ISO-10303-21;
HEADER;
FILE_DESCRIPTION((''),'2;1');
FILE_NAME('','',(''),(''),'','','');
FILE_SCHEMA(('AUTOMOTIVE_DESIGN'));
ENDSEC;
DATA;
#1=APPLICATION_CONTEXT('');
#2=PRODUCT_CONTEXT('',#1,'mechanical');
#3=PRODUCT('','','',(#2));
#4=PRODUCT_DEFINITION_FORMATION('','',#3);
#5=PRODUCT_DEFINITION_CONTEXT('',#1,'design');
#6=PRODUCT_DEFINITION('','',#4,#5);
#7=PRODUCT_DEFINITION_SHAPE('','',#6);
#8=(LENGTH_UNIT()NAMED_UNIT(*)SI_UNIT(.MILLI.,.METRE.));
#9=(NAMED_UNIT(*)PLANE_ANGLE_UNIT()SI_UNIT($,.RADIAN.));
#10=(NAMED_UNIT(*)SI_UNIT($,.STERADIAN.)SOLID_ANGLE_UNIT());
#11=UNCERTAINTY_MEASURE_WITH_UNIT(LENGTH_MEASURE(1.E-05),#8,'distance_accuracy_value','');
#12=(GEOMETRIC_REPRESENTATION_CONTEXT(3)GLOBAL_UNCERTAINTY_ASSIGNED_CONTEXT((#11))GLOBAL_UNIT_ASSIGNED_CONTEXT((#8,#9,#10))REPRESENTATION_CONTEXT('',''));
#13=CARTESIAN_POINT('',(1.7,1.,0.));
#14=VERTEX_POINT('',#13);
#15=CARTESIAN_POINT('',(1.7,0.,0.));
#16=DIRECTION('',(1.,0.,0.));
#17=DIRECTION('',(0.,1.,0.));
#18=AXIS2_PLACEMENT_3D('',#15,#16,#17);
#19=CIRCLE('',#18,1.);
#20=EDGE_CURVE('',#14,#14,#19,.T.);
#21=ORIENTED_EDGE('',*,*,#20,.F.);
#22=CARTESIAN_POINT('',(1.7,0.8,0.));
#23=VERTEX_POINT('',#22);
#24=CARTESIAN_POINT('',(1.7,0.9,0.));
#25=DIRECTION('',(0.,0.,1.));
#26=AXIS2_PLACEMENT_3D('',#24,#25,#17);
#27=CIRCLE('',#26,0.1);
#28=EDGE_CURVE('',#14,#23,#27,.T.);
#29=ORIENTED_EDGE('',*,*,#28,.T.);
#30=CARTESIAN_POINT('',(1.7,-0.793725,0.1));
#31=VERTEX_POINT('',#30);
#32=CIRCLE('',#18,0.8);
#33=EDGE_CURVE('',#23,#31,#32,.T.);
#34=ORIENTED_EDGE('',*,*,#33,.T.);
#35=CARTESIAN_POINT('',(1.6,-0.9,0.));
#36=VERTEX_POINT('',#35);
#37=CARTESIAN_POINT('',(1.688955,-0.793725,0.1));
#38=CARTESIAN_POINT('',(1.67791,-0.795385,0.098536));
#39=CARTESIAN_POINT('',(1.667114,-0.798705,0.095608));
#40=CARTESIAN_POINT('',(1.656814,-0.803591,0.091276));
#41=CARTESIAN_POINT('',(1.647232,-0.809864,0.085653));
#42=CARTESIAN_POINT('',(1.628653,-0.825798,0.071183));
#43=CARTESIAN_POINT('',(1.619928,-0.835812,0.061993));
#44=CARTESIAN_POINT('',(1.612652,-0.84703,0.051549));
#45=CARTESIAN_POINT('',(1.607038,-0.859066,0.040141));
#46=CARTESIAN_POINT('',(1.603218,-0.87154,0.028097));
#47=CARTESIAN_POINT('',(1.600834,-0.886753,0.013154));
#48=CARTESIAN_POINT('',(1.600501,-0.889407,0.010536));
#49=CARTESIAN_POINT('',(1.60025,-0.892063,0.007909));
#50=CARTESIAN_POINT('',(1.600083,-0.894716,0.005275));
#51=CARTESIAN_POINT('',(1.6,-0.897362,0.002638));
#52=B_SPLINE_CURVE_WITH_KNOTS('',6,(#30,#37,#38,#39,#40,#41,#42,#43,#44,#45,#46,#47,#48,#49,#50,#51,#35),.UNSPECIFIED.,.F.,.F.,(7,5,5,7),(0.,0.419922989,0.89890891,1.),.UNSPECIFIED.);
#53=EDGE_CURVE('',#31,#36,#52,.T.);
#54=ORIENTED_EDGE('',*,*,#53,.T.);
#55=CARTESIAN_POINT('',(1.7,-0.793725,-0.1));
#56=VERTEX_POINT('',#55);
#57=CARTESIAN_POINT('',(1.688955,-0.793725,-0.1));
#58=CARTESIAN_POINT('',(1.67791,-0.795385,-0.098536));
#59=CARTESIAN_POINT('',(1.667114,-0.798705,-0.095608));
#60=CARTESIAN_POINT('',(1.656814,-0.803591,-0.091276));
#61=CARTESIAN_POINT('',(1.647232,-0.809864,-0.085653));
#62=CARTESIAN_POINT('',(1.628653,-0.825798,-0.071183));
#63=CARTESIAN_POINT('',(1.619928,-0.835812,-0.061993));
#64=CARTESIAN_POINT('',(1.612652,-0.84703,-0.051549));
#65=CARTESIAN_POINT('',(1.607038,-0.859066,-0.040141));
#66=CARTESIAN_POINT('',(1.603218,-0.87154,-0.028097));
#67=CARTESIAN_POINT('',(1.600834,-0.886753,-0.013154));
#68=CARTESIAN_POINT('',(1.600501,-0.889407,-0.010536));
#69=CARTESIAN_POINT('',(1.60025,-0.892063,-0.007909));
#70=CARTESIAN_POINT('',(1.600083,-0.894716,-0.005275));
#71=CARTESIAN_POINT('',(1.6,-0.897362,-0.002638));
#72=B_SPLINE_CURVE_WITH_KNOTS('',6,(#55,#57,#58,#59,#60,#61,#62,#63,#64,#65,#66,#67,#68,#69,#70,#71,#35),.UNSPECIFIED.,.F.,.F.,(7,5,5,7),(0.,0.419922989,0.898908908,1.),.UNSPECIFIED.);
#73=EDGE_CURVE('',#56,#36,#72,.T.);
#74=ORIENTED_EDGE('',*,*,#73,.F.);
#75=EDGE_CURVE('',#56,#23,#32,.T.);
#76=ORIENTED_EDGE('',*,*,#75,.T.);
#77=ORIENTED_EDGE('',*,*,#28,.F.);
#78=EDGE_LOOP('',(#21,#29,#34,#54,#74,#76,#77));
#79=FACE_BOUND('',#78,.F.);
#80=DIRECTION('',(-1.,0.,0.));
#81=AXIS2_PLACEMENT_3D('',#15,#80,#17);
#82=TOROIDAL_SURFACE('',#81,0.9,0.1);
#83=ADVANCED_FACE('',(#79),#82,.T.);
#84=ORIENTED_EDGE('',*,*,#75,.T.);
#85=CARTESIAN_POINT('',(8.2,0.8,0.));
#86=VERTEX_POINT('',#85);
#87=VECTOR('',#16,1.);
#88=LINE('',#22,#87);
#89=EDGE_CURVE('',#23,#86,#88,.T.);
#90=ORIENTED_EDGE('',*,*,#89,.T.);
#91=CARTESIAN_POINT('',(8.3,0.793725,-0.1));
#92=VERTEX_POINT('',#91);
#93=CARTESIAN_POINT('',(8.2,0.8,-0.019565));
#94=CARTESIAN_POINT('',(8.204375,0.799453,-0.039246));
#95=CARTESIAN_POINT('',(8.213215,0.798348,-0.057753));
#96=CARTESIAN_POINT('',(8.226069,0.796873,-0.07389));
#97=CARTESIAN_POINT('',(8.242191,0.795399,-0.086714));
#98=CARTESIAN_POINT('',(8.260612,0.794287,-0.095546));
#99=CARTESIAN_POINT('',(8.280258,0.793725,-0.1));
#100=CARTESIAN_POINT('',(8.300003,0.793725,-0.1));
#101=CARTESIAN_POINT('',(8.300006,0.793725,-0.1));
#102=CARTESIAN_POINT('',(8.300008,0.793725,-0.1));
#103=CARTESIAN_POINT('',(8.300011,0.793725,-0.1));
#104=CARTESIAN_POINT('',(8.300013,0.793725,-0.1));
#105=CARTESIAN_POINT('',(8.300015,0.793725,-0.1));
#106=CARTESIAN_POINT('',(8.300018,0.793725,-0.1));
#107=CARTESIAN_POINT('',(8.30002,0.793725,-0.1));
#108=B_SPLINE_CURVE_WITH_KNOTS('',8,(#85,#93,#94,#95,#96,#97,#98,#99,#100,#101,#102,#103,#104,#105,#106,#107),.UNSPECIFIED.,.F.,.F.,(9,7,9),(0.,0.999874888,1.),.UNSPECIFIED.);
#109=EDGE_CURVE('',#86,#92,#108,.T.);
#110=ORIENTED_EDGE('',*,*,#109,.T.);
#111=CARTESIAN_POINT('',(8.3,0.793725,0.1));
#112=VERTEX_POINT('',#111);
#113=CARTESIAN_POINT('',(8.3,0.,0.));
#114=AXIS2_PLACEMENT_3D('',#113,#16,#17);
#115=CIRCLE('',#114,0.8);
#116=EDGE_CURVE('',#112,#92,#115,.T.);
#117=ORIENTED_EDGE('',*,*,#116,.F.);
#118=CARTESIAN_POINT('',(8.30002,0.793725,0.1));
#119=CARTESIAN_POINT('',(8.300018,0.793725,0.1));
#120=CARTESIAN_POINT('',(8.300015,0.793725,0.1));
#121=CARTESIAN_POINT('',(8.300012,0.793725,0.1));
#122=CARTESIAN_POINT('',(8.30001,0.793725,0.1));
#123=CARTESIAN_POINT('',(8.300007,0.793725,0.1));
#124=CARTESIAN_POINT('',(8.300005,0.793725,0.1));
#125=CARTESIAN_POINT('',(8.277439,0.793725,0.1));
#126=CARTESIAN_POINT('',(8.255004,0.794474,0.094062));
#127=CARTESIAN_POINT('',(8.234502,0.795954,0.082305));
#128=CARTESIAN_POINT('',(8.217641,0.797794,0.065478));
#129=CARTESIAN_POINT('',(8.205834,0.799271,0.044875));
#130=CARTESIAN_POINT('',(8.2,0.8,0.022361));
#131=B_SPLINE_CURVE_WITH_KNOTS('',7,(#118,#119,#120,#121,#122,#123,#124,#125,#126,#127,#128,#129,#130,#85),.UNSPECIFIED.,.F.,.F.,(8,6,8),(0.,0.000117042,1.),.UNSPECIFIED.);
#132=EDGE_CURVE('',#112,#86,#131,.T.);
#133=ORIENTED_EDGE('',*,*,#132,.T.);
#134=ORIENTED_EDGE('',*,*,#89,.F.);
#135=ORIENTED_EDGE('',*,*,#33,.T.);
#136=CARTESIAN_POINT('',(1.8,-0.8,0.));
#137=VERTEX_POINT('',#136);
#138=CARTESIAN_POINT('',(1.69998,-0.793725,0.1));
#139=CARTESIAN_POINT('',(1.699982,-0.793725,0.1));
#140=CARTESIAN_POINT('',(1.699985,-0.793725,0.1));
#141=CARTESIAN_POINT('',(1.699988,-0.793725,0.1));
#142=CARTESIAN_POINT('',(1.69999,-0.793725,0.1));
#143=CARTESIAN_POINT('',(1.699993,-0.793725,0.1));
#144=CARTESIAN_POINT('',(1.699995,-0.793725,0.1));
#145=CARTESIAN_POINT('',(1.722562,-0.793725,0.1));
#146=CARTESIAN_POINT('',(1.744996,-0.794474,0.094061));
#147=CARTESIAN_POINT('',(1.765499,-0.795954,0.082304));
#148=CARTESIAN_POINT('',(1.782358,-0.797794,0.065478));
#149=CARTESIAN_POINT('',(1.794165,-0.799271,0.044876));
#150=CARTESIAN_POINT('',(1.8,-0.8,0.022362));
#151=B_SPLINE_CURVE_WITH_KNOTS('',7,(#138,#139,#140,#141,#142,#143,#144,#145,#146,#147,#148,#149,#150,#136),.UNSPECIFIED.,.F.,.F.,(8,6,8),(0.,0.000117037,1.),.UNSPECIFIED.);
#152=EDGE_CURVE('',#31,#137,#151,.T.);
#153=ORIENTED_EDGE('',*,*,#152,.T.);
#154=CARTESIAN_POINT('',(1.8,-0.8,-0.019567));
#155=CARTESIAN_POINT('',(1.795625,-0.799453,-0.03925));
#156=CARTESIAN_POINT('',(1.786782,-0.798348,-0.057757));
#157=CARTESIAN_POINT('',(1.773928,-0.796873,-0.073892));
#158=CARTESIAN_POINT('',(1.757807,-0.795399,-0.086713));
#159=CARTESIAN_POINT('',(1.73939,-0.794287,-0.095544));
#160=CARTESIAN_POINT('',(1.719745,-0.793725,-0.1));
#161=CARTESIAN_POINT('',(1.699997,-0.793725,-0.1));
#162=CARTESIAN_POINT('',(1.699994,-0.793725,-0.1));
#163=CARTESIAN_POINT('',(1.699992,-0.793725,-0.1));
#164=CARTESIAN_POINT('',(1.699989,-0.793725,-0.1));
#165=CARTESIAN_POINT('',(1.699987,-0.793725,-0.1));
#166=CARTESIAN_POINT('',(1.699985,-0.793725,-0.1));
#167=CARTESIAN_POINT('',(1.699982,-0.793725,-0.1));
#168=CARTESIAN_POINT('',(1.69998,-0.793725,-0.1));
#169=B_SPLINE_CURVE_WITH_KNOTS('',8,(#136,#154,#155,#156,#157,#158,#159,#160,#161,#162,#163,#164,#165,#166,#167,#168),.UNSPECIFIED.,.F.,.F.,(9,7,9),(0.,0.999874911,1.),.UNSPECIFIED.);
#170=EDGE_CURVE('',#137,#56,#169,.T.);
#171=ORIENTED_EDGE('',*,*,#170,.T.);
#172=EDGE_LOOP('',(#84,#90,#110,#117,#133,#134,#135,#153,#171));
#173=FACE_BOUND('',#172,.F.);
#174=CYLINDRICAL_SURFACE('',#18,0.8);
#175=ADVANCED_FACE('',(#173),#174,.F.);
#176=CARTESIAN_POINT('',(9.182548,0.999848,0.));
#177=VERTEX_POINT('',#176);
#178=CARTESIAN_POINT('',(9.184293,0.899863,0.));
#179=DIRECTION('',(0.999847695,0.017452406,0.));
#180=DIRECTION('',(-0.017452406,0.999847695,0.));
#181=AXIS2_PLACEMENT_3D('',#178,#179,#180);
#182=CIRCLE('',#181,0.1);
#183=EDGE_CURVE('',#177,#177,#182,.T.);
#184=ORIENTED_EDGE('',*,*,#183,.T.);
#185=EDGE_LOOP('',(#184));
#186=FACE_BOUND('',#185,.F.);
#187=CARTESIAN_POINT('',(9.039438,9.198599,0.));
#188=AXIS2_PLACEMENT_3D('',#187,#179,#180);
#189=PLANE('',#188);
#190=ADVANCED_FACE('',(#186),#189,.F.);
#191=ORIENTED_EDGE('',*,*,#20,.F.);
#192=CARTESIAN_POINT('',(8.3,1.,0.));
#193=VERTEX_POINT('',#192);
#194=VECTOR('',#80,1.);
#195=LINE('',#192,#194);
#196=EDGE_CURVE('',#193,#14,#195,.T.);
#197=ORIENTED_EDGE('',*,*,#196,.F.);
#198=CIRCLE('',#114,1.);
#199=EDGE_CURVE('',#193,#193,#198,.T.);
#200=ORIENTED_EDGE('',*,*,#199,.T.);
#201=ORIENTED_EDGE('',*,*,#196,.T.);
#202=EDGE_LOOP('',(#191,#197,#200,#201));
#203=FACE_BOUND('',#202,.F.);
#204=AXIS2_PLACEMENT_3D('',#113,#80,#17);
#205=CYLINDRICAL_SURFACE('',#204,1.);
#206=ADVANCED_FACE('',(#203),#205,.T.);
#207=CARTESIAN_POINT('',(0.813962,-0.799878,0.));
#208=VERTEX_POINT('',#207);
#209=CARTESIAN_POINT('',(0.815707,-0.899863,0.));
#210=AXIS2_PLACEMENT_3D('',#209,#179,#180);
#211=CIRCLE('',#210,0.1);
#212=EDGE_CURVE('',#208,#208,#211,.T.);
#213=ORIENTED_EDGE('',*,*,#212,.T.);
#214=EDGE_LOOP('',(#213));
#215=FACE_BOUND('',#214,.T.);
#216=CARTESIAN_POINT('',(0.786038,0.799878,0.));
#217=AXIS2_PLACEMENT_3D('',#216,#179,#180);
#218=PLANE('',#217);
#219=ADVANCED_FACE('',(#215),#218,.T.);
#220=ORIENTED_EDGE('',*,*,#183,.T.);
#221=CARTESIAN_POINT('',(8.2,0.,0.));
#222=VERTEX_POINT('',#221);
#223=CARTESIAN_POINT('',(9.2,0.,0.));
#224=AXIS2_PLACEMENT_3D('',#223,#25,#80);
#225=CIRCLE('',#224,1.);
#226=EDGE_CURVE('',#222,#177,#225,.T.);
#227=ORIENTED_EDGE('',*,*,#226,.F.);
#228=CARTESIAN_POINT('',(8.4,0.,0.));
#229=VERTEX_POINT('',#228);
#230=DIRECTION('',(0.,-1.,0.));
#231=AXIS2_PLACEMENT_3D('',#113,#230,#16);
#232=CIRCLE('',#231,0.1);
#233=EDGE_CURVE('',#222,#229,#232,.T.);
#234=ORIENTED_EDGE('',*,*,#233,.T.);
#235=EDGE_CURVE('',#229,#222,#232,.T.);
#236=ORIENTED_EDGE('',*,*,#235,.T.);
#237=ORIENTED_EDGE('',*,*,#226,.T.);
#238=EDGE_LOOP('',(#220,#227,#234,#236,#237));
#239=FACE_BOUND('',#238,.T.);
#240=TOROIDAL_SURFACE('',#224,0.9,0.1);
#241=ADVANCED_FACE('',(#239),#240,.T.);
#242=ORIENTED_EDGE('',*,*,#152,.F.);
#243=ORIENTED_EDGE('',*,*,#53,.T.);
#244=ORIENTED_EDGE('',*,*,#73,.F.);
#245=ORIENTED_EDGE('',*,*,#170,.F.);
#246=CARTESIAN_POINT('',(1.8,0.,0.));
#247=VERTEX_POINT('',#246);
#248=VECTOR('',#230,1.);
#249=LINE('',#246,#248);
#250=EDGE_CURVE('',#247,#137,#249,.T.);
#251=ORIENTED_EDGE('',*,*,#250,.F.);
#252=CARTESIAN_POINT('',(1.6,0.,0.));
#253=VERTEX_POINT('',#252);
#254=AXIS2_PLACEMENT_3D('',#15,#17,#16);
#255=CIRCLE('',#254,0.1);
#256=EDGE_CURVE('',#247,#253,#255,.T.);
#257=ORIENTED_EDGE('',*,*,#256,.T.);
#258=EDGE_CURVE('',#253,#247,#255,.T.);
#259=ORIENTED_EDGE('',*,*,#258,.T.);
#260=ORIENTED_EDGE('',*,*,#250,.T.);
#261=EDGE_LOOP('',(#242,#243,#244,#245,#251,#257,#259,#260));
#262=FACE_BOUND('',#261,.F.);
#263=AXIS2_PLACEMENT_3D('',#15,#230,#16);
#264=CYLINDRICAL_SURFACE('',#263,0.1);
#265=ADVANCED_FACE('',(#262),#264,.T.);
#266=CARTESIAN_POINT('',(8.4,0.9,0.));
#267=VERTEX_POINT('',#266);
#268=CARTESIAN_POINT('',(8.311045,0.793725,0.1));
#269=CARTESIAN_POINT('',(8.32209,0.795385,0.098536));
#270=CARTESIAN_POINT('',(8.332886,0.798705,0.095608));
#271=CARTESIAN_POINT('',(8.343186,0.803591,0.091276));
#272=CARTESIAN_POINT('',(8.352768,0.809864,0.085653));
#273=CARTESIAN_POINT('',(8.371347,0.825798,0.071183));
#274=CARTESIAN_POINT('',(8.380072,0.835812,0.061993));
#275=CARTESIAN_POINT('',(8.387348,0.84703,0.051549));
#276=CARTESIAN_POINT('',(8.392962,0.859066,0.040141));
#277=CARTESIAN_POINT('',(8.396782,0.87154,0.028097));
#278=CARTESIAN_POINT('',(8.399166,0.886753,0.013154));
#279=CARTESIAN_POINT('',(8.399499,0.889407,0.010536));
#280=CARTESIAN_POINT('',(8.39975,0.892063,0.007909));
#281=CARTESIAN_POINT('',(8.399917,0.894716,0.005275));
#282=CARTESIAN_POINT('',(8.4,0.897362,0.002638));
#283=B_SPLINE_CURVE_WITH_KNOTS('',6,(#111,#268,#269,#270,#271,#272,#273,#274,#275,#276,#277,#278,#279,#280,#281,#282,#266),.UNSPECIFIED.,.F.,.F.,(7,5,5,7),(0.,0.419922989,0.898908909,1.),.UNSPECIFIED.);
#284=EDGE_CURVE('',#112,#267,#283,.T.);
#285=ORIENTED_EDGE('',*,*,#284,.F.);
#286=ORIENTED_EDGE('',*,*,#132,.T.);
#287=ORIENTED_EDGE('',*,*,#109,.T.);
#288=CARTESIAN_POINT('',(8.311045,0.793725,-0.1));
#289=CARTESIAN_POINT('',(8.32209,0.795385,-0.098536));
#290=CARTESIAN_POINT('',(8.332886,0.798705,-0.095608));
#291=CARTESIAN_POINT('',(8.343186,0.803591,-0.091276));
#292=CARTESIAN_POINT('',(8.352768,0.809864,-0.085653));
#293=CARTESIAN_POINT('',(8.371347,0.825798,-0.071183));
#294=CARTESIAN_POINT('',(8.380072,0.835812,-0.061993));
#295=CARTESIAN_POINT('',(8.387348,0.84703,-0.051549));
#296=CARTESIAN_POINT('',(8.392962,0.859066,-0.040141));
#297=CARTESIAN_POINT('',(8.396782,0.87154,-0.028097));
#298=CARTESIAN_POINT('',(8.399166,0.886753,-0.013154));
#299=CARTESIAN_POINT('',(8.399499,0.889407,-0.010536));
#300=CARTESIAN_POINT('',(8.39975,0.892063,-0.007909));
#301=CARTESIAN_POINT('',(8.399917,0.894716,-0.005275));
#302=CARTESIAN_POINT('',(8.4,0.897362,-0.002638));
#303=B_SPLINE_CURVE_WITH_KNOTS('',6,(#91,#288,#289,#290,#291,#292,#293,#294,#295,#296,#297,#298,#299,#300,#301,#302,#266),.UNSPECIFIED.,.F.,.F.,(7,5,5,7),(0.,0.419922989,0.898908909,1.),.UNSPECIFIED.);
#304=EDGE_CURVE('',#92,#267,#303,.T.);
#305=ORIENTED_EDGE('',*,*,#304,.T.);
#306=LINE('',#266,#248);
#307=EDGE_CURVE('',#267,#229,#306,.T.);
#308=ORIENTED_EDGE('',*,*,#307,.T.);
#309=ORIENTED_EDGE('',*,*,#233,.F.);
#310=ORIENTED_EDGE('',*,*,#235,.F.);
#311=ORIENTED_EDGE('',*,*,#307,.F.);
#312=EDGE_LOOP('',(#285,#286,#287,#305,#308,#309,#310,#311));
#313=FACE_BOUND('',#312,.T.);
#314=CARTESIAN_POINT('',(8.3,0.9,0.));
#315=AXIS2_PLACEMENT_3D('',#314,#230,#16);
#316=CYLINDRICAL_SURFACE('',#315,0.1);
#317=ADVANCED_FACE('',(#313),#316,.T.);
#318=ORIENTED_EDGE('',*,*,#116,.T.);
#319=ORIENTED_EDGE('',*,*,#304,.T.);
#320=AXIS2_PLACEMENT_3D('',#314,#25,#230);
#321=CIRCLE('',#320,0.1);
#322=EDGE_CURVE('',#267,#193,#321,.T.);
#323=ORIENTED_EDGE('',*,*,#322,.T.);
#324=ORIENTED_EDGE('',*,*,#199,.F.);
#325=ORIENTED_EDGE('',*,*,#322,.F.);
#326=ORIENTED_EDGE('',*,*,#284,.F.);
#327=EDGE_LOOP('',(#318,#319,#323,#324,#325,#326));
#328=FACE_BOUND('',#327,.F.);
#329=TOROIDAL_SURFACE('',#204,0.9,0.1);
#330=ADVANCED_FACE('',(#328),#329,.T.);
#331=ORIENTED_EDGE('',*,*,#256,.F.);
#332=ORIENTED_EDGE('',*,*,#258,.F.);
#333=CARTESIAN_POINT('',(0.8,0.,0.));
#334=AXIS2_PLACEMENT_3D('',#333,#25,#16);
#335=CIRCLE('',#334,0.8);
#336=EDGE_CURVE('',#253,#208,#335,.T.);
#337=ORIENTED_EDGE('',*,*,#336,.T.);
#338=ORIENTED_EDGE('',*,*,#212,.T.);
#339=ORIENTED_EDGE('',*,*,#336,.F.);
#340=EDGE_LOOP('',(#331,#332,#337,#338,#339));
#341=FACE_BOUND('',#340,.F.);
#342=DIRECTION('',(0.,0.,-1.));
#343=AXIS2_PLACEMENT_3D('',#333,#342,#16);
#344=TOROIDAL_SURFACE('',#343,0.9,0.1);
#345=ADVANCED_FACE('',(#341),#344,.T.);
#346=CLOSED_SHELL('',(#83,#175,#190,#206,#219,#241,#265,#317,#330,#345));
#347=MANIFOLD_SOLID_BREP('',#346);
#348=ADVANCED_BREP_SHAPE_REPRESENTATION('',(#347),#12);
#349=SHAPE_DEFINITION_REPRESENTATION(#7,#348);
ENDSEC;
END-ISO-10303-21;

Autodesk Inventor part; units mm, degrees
ref_plane "YZ Plane" through (0, 0, 0) normal (1, 0, 0) x (0, 1, 0)
ref_plane "XZ Plane" through (0, 0, 0) normal (0, 1, 0) x (-1, 0, 0)
ref_plane "XY Plane" through (0, 0, 0) normal (0, 0, 1) x (1, 0, 0)
sketch "Sketch_9" plane through (0, 0, 0) normal (0, 0, 1) x (1, 0, 0)
  line L0 (8.4, 0) -> (1.6, 0)
  arc A0 (1.7, 1) -> (1.7, 0.8) centre (1.7, 0.9) ccw
  line L1 (1.7, 0.8) -> (8.3, 0.8)
  arc A1 (8.3, 0.8) -> (8.3, 1) centre (8.3, 0.9) ccw
  line L2 (8.3, 1) -> (1.7, 1)
revolve "Revolution1" add sketch "Sketch_9" angle 360 about axis through (8.4, 0, 0) along (1, 0, 0)
sketch "Sketch_10" plane through (0, 0, 0) normal (0, 0, 1) x (1, 0, 0)
  line L0 (8.3, 0) -> (8.3, 0.9)
  line L1 (8.3, 0.9) -> (8.4, 0.9)
  line L2 (8.4, 0.9) -> (8.4, 0)
  line L3 (8.4, 0) -> (8.3, 0)
  line L4 (8.3, 0) -> (8.3, 0.9)
revolve "Revolution2" add sketch "Sketch_10" angle 360 about axis through (8.3, 0, 0) along (0, -1, 0)
sketch "Sketch_12" plane through (0, 0, 0) normal (0, 1, 0) x (-1, 0, 0)
  line L0 (-9.2, -1) -> (-9.2, 1)
  circle A0 centre (-8.3, 0) radius 0.1
revolve "Revolution3" add sketch "Sketch_12" angle 271 about axis through (9.2, 0, -1) along (0, 0, 1)
sketch "Sketch_11" plane through (0, 0, 0) normal (0, 0, 1) x (1, 0, 0)
  line L0 (1.7, -0.9) -> (1.7, 0)
  line L1 (1.7, 0) -> (1.8, 0)
  line L2 (1.8, 0) -> (1.8, -0.9)
  line L3 (1.8, -0.9) -> (1.7, -0.9)
  line L4 (1.7, -0.9) -> (1.7, 0)
revolve "Revolution4" add sketch "Sketch_11" angle 360 about axis through (1.7, -0.9, 0) along (0, 1, 0)
sketch "Sketch_13" plane through (0, 0, 0) normal (0, 1, 0) x (-1, 0, 0)
  line L0 (-0.8, 1) -> (-0.8, -1)
  circle A0 centre (-1.7, 0) radius 0.1
revolve "Revolution5" add sketch "Sketch_13" angle 271 about axis through (0.8, 0, 1) along (0, 0, 1)
properties part number "AUA2-10"
